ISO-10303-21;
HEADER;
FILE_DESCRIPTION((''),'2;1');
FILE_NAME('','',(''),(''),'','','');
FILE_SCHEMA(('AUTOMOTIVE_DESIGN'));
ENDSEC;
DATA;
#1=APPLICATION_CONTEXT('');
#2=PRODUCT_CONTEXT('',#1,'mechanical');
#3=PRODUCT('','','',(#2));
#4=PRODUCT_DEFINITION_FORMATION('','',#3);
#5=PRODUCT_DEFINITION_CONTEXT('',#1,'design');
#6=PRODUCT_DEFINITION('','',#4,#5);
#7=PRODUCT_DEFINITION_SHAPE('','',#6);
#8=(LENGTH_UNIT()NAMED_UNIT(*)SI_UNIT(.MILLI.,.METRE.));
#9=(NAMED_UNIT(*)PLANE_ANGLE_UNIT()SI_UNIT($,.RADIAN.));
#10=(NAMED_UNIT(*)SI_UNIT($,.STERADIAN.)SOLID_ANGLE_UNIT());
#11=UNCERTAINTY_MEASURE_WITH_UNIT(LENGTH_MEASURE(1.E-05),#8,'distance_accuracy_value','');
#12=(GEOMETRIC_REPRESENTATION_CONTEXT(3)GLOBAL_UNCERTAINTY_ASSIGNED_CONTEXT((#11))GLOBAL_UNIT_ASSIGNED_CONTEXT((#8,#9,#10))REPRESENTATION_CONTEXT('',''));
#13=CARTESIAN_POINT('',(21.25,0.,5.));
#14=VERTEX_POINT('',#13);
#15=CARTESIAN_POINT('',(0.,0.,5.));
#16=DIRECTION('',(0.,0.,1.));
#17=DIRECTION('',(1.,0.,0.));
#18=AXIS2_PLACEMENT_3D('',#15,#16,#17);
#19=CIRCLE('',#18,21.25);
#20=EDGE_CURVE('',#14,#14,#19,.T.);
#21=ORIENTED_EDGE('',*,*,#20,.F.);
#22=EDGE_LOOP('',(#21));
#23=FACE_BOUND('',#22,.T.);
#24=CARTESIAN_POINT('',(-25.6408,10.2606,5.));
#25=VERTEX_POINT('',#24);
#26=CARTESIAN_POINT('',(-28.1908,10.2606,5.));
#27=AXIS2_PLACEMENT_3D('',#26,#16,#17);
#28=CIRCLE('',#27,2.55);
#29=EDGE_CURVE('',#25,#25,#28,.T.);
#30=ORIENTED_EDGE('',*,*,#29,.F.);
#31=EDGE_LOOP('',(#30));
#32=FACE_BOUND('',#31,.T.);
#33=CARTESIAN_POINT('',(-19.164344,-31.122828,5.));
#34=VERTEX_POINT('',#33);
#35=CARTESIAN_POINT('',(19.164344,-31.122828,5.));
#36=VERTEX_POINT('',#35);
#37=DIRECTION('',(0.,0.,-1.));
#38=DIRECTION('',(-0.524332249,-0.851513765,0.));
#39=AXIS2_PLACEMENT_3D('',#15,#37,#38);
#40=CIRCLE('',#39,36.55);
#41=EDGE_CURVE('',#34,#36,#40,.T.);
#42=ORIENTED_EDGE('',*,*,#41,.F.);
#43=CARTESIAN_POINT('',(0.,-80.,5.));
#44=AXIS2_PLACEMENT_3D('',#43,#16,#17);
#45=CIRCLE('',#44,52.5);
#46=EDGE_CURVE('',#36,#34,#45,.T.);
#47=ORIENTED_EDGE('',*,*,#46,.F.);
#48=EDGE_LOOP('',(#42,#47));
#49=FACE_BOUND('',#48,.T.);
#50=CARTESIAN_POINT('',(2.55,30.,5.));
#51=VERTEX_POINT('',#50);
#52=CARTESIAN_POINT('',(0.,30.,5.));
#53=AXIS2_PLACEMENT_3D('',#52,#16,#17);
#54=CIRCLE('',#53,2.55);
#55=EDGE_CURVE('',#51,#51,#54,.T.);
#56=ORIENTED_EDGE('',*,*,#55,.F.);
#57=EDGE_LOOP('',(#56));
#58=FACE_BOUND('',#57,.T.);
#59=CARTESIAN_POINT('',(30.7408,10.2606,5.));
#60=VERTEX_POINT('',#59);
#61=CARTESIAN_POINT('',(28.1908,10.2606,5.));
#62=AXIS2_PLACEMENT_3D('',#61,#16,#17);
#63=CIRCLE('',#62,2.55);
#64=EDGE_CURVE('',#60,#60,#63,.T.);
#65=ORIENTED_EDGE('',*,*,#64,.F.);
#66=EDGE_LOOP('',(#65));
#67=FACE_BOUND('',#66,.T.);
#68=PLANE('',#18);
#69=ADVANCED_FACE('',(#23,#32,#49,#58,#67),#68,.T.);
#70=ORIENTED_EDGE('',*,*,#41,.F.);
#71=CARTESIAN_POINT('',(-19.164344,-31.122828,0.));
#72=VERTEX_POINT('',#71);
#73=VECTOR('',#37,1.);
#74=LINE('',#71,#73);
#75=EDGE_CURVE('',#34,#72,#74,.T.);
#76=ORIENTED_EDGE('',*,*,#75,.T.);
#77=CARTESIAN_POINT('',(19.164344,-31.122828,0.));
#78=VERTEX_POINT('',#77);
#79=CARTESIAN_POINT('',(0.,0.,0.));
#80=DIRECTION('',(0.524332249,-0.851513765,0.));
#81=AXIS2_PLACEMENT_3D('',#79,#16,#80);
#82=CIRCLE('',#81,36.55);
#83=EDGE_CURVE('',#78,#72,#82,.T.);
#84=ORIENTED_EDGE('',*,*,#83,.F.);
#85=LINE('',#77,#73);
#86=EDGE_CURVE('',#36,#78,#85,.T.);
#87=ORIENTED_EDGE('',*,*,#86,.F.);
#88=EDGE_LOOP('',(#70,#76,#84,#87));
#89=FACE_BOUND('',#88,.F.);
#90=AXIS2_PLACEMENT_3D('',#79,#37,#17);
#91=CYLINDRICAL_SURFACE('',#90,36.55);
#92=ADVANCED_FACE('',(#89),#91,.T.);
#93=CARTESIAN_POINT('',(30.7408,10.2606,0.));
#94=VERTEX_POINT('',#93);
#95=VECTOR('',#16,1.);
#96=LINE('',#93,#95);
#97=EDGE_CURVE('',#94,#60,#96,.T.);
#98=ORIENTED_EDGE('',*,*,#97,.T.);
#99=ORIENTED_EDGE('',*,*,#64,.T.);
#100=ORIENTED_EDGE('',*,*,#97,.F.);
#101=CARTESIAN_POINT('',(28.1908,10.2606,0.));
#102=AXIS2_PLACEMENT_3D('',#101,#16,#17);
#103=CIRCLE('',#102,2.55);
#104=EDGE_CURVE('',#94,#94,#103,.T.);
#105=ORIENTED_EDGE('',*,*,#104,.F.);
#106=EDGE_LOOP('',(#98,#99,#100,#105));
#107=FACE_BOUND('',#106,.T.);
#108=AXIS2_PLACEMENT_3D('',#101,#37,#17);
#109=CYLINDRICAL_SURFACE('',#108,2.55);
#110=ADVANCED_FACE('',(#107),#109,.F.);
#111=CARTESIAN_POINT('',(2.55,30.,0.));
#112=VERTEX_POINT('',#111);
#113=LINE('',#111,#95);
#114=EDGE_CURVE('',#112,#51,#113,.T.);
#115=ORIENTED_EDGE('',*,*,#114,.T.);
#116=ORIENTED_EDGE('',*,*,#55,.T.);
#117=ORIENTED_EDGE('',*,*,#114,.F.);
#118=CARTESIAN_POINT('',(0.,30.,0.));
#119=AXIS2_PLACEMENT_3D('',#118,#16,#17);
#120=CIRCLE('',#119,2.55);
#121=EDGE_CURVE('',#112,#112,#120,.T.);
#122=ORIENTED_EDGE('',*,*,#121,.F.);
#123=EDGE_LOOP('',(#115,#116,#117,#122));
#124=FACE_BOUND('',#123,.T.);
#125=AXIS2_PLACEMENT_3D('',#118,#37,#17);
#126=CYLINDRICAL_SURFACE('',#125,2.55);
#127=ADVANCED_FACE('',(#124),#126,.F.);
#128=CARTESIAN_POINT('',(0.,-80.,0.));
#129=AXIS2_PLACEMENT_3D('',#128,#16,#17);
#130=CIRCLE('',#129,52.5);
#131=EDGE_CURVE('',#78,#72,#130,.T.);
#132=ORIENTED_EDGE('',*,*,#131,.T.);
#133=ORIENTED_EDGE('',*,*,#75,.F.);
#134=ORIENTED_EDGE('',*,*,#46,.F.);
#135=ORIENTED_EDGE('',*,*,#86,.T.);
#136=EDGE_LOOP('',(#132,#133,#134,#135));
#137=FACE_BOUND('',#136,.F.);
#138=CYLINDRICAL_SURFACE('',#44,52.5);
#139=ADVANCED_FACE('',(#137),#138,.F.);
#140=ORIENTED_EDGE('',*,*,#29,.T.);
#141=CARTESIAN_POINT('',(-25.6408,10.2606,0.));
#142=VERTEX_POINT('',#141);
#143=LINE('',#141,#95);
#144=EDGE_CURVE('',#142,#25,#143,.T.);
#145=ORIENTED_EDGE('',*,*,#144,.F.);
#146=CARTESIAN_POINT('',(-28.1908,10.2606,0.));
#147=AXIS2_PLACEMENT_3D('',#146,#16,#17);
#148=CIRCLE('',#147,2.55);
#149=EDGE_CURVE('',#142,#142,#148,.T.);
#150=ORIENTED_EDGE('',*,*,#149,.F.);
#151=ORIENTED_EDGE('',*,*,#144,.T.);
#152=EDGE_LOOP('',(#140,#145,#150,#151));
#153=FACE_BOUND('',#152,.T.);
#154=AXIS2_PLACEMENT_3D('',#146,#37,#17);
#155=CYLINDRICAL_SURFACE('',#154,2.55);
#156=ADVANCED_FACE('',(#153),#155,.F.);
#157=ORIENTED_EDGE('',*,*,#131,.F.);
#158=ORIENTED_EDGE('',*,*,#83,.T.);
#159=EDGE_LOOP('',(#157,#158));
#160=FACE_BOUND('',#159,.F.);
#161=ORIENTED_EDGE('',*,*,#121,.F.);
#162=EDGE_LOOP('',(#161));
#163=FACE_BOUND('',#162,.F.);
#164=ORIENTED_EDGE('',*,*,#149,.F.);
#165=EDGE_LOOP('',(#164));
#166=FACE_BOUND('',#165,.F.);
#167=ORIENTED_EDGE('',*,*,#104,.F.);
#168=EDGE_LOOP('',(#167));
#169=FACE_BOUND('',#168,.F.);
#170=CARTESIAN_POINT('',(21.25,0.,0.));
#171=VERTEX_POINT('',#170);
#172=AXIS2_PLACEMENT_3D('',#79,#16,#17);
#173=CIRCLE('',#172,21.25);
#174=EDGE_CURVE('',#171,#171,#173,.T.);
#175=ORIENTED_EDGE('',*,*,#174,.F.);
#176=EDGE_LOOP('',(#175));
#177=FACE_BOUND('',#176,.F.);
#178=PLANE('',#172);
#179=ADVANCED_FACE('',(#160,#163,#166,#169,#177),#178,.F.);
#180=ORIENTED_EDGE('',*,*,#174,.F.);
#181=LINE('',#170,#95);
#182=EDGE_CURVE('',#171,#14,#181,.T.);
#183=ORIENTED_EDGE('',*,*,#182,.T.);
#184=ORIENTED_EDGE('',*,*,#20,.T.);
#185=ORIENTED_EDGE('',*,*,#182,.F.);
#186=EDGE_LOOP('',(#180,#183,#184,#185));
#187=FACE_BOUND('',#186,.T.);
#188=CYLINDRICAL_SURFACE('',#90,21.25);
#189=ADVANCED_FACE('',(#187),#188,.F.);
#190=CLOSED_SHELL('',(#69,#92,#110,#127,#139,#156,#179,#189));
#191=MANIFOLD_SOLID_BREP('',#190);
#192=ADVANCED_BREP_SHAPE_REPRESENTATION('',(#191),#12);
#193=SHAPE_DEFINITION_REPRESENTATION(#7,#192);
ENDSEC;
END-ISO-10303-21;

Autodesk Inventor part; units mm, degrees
ref_plane "YZ Plane" through (0, 0, 0) normal (1, 0, 0) x (0, 1, 0)
ref_plane "XZ Plane" through (0, 0, 0) normal (0, 1, 0) x (-1, 0, 0)
ref_plane "XY Plane" through (0, 0, 0) normal (0, 0, 1) x (1, 0, 0)
sketch "スケッチ1" plane through (0, 0, 0) normal (0, 0, 1) x (1, 0, 0)
  circle A0 centre (0, 0) radius 21.25
  circle A1 centre (0, 0) radius 36.55
  line L0 (0, 0) -> (-28.1908, 10.2606) construction
  line L1 (0, 0) -> (28.1908, 10.2606) construction
  line L2 (-39.5959, 0) -> (43.1917, 0) construction
  line L3 (0, 0) -> (0, 30) construction
  circle A2 centre (-28.1908, 10.2606) radius 2.55
  circle A3 centre (0, 30) radius 2.55
  circle A4 centre (28.1908, 10.2606) radius 2.55
  dimension "d0" = 73.1
  dimension "d1" = 42.5
  dimension "d2" = 30
  dimension "d3" = 30
  dimension "d4" = 20
  dimension "d5" = 20
  dimension "d6" = 30
  dimension "d7" = 5.1
  dimension "d8" = 5.1
  dimension "d9" = 5.1
extrude "押し出し1" add sketch "スケッチ1" along normal blind 5
sketch "スケッチ2" plane through (0, 0, 5) normal (0, 0, 1) x (1, 0, 0)
  line L0 (0, 0) -> (0, -80) construction
  circle A0 centre (0, -80) radius 52.5
  dimension "d12" = 80
  dimension "d16" = 105
extrude "押し出し2" cut sketch "スケッチ2" against normal blind 10
properties part number "円 42.5mm" material "アルミニウム 6061"
